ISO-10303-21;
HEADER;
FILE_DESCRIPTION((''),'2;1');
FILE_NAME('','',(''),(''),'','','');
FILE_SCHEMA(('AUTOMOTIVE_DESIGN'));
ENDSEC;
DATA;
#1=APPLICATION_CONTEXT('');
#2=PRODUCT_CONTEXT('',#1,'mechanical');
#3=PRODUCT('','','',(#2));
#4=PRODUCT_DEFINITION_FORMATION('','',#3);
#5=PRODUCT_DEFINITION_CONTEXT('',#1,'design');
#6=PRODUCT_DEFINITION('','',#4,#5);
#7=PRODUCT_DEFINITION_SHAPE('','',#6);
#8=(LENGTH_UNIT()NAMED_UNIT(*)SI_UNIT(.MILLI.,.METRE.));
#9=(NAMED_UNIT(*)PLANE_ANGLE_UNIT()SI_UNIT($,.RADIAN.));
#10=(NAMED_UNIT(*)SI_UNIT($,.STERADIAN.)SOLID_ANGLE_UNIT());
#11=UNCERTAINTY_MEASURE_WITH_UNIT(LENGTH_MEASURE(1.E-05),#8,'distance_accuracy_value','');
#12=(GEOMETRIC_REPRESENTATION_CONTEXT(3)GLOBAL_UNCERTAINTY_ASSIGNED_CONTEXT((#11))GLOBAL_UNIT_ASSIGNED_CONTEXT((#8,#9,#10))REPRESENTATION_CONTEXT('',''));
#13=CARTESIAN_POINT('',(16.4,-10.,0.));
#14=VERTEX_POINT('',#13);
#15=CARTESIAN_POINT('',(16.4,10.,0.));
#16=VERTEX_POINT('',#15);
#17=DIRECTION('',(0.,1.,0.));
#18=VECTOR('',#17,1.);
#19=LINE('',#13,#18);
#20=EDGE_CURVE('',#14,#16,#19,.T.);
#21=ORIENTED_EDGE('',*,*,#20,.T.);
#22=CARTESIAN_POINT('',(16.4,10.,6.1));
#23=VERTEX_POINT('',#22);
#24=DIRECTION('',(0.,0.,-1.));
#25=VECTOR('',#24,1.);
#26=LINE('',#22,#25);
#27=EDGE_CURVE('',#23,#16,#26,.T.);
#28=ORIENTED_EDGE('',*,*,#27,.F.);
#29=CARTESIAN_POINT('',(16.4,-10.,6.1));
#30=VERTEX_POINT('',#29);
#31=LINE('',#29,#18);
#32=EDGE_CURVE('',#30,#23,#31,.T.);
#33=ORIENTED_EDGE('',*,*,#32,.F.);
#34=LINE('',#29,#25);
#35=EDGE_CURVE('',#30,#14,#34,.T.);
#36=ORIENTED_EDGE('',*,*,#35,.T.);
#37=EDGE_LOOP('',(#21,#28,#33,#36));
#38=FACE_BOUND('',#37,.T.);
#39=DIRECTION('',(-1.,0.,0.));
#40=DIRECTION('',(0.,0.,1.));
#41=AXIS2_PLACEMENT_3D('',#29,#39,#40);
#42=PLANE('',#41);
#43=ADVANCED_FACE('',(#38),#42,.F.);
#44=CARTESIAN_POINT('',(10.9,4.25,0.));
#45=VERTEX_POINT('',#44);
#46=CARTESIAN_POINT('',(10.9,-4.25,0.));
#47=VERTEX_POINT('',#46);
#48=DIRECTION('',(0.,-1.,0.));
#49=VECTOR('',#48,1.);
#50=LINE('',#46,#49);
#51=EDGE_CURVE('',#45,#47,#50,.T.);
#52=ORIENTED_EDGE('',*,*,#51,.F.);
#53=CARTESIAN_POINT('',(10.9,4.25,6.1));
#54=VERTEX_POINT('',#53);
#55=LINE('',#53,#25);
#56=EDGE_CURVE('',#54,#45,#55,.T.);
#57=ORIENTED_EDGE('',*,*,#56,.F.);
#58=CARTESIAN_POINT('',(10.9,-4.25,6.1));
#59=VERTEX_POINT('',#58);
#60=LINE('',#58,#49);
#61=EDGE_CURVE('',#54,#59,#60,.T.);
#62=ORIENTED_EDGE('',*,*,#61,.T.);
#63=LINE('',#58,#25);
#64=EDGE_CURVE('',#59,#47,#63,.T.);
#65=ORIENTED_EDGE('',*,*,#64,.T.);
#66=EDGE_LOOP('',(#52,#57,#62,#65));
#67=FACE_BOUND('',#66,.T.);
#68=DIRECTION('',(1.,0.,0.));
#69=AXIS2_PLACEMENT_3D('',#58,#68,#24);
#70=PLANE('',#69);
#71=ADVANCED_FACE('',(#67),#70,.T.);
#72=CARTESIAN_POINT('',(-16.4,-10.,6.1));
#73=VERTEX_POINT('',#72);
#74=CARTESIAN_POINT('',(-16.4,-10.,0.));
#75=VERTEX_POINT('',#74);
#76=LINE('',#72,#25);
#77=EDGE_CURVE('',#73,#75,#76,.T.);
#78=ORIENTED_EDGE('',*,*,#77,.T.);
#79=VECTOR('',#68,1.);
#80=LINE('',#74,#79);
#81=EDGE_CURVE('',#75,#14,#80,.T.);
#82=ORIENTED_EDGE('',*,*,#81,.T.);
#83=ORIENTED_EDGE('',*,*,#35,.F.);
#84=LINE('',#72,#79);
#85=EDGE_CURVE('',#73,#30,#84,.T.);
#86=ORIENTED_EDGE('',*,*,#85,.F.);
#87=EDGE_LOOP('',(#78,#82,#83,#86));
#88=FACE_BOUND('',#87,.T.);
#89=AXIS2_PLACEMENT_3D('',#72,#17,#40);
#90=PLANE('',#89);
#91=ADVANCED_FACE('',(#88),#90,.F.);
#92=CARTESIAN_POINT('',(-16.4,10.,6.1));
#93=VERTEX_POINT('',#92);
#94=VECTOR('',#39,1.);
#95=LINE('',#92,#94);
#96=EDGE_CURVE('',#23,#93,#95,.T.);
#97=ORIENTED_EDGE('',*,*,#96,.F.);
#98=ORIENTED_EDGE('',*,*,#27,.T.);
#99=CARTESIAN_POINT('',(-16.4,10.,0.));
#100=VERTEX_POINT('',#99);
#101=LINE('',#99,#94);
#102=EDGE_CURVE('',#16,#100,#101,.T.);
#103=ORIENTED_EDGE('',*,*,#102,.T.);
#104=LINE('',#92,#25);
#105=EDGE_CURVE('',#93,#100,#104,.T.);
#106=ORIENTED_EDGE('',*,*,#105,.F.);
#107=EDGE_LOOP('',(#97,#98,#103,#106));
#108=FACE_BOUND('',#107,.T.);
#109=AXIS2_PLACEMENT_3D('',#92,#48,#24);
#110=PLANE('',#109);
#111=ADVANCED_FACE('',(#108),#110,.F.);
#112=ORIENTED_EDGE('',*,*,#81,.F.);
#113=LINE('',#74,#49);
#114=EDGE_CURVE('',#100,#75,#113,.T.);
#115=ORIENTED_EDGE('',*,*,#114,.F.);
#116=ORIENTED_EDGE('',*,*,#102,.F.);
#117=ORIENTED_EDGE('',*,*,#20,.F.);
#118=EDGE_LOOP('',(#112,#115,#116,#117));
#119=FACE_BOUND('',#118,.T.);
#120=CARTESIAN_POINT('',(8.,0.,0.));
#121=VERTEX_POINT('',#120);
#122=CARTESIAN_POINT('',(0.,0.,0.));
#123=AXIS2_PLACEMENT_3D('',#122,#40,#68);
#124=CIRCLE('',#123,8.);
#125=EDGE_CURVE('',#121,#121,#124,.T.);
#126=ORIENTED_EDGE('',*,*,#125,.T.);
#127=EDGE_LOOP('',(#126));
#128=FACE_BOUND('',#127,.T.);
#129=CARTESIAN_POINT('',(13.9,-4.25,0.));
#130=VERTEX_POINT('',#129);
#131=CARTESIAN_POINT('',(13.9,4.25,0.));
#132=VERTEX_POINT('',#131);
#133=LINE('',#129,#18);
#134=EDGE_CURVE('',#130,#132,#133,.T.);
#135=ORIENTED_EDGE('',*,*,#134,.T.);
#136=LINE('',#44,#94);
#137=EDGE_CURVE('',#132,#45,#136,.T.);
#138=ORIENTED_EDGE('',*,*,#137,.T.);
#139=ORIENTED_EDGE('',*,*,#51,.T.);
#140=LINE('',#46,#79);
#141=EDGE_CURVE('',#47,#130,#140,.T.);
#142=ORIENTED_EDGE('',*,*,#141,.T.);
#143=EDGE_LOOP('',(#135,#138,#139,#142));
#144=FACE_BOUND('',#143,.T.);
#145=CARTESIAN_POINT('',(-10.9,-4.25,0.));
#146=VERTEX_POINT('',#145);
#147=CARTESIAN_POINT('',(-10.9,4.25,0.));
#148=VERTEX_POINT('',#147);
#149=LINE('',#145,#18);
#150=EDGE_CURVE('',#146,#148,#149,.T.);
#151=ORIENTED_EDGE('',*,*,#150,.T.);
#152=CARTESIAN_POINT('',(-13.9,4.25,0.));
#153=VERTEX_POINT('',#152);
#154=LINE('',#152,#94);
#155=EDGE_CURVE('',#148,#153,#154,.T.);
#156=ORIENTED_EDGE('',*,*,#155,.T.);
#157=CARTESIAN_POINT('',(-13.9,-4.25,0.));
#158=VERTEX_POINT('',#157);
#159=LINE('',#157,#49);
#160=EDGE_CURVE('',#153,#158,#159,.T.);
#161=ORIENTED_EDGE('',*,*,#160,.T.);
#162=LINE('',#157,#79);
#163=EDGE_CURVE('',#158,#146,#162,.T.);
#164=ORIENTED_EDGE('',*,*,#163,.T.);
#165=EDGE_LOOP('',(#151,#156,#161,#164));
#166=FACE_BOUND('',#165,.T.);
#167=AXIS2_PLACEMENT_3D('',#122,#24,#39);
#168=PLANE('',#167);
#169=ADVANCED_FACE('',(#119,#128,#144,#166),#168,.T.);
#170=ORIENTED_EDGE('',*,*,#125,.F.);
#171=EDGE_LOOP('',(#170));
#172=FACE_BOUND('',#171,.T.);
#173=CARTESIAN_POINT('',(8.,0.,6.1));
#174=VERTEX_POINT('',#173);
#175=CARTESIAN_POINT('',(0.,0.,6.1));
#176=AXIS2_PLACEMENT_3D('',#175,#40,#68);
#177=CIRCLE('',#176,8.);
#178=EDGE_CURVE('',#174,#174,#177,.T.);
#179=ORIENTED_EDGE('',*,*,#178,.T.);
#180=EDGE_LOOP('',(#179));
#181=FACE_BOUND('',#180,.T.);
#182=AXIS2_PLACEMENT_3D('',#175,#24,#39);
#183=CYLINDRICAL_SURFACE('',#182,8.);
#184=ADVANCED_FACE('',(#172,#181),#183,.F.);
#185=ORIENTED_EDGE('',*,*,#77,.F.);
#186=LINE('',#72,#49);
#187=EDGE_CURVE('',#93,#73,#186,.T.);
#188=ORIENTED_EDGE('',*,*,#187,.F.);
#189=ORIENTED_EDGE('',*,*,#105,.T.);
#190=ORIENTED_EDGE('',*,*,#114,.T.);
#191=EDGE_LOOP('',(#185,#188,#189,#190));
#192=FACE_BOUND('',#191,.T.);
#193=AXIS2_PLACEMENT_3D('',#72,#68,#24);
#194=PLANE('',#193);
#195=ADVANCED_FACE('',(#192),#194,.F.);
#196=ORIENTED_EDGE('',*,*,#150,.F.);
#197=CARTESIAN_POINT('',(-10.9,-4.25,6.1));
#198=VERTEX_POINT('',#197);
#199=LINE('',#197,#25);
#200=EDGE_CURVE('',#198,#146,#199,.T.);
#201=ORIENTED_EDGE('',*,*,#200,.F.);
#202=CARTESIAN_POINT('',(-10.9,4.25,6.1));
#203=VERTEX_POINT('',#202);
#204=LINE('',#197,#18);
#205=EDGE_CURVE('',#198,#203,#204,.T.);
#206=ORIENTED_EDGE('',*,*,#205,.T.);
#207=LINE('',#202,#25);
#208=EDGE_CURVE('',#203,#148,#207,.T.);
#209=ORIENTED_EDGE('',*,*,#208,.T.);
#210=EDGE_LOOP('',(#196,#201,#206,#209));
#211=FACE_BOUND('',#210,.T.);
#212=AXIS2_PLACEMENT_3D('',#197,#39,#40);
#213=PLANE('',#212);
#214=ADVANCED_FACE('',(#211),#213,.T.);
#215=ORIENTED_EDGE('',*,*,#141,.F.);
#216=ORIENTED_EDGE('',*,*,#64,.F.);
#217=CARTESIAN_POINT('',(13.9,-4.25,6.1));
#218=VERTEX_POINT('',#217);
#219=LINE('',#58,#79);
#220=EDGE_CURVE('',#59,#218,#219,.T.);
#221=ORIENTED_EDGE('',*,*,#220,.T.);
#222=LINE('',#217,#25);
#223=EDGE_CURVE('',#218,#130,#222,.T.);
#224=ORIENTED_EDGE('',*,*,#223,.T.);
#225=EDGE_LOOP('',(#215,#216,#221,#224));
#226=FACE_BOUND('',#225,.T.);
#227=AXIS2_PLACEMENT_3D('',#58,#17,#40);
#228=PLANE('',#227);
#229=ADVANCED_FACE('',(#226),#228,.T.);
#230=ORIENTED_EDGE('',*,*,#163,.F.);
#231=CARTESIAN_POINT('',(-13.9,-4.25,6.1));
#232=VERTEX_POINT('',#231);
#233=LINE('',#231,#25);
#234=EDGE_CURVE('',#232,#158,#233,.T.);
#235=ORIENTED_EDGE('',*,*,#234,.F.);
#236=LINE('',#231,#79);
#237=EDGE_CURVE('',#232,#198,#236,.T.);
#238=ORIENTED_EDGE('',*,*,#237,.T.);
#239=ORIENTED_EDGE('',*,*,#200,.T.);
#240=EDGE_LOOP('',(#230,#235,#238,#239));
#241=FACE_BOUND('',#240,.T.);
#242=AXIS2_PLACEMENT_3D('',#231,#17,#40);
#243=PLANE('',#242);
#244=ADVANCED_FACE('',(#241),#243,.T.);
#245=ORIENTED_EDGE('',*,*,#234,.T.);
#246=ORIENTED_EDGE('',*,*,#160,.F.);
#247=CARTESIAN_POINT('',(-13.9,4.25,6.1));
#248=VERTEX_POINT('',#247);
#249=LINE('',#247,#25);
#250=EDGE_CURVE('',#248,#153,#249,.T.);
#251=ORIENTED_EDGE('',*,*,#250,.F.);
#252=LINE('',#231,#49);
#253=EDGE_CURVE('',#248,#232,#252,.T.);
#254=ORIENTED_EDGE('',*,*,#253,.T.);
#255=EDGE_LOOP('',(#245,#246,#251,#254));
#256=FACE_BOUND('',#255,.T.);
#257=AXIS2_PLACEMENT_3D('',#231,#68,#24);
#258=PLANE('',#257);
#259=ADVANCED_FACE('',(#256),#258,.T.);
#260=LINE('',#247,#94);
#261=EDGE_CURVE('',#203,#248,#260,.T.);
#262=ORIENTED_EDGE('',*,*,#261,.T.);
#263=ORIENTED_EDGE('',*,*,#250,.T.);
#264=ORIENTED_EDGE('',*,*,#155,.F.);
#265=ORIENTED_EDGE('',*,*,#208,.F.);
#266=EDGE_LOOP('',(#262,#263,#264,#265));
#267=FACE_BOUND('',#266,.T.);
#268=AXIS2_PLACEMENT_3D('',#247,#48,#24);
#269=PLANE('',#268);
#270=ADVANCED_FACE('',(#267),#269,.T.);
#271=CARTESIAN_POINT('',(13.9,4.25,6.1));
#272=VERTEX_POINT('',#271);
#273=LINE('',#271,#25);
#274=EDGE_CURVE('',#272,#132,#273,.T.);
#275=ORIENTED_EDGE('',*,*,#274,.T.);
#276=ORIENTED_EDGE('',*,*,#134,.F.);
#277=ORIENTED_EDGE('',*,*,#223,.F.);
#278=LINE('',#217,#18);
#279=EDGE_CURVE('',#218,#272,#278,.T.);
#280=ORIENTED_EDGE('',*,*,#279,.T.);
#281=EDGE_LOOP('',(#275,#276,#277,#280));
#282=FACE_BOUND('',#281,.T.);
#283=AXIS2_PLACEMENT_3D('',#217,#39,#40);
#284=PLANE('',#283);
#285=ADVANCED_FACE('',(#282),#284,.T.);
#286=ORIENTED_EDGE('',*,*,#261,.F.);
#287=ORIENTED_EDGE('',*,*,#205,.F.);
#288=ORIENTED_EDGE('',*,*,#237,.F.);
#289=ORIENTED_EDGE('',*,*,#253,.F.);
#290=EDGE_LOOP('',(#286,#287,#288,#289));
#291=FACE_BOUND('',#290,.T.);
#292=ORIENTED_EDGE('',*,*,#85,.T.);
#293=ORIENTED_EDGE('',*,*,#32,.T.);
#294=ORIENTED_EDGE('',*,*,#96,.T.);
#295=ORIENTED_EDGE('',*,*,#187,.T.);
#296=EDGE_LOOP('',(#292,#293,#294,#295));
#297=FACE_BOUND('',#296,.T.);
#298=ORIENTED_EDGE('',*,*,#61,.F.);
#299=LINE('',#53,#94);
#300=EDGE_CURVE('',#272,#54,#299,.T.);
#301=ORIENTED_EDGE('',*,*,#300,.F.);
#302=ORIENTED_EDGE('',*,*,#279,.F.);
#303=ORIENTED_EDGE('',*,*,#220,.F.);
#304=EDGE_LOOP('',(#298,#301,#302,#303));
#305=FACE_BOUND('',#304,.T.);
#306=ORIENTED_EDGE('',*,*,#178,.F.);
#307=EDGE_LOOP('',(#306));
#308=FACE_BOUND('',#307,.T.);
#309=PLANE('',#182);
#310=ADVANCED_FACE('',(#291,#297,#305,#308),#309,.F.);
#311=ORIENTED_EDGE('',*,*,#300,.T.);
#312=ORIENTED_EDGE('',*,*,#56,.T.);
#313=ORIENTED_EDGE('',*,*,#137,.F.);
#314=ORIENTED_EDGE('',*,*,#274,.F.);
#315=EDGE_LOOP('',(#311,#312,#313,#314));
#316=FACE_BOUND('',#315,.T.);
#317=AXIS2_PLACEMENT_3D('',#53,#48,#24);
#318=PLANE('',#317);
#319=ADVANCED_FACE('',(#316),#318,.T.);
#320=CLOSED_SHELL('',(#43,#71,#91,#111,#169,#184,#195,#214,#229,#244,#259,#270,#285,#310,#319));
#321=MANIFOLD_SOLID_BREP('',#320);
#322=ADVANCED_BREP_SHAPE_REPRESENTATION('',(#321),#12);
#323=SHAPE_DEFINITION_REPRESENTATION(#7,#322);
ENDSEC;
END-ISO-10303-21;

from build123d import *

# Parameters (mm, degrees)
SKETCH1_W           = 32.8
SKETCH1_H           = 20
SKETCH1_R           = 8
SKETCH1_W_2         = 3
SKETCH1_H_2         = 8.5
BOSS_EXTRUDE1_DEPTH = 6.1


with BuildPart() as part:
    # Sketch1 → Boss-Extrude1 (new body)
    with BuildSketch(Plane.XY):
        Rectangle(SKETCH1_W, SKETCH1_H)
        Circle(SKETCH1_R, mode=Mode.SUBTRACT)
        with Locations((12.4, 0)):
            Rectangle(SKETCH1_W_2, SKETCH1_H_2, mode=Mode.SUBTRACT)
        with Locations((-12.4, 0)):
            Rectangle(SKETCH1_W_2, SKETCH1_H_2, mode=Mode.SUBTRACT)
    extrude(amount=BOSS_EXTRUDE1_DEPTH)


solid = part.part
